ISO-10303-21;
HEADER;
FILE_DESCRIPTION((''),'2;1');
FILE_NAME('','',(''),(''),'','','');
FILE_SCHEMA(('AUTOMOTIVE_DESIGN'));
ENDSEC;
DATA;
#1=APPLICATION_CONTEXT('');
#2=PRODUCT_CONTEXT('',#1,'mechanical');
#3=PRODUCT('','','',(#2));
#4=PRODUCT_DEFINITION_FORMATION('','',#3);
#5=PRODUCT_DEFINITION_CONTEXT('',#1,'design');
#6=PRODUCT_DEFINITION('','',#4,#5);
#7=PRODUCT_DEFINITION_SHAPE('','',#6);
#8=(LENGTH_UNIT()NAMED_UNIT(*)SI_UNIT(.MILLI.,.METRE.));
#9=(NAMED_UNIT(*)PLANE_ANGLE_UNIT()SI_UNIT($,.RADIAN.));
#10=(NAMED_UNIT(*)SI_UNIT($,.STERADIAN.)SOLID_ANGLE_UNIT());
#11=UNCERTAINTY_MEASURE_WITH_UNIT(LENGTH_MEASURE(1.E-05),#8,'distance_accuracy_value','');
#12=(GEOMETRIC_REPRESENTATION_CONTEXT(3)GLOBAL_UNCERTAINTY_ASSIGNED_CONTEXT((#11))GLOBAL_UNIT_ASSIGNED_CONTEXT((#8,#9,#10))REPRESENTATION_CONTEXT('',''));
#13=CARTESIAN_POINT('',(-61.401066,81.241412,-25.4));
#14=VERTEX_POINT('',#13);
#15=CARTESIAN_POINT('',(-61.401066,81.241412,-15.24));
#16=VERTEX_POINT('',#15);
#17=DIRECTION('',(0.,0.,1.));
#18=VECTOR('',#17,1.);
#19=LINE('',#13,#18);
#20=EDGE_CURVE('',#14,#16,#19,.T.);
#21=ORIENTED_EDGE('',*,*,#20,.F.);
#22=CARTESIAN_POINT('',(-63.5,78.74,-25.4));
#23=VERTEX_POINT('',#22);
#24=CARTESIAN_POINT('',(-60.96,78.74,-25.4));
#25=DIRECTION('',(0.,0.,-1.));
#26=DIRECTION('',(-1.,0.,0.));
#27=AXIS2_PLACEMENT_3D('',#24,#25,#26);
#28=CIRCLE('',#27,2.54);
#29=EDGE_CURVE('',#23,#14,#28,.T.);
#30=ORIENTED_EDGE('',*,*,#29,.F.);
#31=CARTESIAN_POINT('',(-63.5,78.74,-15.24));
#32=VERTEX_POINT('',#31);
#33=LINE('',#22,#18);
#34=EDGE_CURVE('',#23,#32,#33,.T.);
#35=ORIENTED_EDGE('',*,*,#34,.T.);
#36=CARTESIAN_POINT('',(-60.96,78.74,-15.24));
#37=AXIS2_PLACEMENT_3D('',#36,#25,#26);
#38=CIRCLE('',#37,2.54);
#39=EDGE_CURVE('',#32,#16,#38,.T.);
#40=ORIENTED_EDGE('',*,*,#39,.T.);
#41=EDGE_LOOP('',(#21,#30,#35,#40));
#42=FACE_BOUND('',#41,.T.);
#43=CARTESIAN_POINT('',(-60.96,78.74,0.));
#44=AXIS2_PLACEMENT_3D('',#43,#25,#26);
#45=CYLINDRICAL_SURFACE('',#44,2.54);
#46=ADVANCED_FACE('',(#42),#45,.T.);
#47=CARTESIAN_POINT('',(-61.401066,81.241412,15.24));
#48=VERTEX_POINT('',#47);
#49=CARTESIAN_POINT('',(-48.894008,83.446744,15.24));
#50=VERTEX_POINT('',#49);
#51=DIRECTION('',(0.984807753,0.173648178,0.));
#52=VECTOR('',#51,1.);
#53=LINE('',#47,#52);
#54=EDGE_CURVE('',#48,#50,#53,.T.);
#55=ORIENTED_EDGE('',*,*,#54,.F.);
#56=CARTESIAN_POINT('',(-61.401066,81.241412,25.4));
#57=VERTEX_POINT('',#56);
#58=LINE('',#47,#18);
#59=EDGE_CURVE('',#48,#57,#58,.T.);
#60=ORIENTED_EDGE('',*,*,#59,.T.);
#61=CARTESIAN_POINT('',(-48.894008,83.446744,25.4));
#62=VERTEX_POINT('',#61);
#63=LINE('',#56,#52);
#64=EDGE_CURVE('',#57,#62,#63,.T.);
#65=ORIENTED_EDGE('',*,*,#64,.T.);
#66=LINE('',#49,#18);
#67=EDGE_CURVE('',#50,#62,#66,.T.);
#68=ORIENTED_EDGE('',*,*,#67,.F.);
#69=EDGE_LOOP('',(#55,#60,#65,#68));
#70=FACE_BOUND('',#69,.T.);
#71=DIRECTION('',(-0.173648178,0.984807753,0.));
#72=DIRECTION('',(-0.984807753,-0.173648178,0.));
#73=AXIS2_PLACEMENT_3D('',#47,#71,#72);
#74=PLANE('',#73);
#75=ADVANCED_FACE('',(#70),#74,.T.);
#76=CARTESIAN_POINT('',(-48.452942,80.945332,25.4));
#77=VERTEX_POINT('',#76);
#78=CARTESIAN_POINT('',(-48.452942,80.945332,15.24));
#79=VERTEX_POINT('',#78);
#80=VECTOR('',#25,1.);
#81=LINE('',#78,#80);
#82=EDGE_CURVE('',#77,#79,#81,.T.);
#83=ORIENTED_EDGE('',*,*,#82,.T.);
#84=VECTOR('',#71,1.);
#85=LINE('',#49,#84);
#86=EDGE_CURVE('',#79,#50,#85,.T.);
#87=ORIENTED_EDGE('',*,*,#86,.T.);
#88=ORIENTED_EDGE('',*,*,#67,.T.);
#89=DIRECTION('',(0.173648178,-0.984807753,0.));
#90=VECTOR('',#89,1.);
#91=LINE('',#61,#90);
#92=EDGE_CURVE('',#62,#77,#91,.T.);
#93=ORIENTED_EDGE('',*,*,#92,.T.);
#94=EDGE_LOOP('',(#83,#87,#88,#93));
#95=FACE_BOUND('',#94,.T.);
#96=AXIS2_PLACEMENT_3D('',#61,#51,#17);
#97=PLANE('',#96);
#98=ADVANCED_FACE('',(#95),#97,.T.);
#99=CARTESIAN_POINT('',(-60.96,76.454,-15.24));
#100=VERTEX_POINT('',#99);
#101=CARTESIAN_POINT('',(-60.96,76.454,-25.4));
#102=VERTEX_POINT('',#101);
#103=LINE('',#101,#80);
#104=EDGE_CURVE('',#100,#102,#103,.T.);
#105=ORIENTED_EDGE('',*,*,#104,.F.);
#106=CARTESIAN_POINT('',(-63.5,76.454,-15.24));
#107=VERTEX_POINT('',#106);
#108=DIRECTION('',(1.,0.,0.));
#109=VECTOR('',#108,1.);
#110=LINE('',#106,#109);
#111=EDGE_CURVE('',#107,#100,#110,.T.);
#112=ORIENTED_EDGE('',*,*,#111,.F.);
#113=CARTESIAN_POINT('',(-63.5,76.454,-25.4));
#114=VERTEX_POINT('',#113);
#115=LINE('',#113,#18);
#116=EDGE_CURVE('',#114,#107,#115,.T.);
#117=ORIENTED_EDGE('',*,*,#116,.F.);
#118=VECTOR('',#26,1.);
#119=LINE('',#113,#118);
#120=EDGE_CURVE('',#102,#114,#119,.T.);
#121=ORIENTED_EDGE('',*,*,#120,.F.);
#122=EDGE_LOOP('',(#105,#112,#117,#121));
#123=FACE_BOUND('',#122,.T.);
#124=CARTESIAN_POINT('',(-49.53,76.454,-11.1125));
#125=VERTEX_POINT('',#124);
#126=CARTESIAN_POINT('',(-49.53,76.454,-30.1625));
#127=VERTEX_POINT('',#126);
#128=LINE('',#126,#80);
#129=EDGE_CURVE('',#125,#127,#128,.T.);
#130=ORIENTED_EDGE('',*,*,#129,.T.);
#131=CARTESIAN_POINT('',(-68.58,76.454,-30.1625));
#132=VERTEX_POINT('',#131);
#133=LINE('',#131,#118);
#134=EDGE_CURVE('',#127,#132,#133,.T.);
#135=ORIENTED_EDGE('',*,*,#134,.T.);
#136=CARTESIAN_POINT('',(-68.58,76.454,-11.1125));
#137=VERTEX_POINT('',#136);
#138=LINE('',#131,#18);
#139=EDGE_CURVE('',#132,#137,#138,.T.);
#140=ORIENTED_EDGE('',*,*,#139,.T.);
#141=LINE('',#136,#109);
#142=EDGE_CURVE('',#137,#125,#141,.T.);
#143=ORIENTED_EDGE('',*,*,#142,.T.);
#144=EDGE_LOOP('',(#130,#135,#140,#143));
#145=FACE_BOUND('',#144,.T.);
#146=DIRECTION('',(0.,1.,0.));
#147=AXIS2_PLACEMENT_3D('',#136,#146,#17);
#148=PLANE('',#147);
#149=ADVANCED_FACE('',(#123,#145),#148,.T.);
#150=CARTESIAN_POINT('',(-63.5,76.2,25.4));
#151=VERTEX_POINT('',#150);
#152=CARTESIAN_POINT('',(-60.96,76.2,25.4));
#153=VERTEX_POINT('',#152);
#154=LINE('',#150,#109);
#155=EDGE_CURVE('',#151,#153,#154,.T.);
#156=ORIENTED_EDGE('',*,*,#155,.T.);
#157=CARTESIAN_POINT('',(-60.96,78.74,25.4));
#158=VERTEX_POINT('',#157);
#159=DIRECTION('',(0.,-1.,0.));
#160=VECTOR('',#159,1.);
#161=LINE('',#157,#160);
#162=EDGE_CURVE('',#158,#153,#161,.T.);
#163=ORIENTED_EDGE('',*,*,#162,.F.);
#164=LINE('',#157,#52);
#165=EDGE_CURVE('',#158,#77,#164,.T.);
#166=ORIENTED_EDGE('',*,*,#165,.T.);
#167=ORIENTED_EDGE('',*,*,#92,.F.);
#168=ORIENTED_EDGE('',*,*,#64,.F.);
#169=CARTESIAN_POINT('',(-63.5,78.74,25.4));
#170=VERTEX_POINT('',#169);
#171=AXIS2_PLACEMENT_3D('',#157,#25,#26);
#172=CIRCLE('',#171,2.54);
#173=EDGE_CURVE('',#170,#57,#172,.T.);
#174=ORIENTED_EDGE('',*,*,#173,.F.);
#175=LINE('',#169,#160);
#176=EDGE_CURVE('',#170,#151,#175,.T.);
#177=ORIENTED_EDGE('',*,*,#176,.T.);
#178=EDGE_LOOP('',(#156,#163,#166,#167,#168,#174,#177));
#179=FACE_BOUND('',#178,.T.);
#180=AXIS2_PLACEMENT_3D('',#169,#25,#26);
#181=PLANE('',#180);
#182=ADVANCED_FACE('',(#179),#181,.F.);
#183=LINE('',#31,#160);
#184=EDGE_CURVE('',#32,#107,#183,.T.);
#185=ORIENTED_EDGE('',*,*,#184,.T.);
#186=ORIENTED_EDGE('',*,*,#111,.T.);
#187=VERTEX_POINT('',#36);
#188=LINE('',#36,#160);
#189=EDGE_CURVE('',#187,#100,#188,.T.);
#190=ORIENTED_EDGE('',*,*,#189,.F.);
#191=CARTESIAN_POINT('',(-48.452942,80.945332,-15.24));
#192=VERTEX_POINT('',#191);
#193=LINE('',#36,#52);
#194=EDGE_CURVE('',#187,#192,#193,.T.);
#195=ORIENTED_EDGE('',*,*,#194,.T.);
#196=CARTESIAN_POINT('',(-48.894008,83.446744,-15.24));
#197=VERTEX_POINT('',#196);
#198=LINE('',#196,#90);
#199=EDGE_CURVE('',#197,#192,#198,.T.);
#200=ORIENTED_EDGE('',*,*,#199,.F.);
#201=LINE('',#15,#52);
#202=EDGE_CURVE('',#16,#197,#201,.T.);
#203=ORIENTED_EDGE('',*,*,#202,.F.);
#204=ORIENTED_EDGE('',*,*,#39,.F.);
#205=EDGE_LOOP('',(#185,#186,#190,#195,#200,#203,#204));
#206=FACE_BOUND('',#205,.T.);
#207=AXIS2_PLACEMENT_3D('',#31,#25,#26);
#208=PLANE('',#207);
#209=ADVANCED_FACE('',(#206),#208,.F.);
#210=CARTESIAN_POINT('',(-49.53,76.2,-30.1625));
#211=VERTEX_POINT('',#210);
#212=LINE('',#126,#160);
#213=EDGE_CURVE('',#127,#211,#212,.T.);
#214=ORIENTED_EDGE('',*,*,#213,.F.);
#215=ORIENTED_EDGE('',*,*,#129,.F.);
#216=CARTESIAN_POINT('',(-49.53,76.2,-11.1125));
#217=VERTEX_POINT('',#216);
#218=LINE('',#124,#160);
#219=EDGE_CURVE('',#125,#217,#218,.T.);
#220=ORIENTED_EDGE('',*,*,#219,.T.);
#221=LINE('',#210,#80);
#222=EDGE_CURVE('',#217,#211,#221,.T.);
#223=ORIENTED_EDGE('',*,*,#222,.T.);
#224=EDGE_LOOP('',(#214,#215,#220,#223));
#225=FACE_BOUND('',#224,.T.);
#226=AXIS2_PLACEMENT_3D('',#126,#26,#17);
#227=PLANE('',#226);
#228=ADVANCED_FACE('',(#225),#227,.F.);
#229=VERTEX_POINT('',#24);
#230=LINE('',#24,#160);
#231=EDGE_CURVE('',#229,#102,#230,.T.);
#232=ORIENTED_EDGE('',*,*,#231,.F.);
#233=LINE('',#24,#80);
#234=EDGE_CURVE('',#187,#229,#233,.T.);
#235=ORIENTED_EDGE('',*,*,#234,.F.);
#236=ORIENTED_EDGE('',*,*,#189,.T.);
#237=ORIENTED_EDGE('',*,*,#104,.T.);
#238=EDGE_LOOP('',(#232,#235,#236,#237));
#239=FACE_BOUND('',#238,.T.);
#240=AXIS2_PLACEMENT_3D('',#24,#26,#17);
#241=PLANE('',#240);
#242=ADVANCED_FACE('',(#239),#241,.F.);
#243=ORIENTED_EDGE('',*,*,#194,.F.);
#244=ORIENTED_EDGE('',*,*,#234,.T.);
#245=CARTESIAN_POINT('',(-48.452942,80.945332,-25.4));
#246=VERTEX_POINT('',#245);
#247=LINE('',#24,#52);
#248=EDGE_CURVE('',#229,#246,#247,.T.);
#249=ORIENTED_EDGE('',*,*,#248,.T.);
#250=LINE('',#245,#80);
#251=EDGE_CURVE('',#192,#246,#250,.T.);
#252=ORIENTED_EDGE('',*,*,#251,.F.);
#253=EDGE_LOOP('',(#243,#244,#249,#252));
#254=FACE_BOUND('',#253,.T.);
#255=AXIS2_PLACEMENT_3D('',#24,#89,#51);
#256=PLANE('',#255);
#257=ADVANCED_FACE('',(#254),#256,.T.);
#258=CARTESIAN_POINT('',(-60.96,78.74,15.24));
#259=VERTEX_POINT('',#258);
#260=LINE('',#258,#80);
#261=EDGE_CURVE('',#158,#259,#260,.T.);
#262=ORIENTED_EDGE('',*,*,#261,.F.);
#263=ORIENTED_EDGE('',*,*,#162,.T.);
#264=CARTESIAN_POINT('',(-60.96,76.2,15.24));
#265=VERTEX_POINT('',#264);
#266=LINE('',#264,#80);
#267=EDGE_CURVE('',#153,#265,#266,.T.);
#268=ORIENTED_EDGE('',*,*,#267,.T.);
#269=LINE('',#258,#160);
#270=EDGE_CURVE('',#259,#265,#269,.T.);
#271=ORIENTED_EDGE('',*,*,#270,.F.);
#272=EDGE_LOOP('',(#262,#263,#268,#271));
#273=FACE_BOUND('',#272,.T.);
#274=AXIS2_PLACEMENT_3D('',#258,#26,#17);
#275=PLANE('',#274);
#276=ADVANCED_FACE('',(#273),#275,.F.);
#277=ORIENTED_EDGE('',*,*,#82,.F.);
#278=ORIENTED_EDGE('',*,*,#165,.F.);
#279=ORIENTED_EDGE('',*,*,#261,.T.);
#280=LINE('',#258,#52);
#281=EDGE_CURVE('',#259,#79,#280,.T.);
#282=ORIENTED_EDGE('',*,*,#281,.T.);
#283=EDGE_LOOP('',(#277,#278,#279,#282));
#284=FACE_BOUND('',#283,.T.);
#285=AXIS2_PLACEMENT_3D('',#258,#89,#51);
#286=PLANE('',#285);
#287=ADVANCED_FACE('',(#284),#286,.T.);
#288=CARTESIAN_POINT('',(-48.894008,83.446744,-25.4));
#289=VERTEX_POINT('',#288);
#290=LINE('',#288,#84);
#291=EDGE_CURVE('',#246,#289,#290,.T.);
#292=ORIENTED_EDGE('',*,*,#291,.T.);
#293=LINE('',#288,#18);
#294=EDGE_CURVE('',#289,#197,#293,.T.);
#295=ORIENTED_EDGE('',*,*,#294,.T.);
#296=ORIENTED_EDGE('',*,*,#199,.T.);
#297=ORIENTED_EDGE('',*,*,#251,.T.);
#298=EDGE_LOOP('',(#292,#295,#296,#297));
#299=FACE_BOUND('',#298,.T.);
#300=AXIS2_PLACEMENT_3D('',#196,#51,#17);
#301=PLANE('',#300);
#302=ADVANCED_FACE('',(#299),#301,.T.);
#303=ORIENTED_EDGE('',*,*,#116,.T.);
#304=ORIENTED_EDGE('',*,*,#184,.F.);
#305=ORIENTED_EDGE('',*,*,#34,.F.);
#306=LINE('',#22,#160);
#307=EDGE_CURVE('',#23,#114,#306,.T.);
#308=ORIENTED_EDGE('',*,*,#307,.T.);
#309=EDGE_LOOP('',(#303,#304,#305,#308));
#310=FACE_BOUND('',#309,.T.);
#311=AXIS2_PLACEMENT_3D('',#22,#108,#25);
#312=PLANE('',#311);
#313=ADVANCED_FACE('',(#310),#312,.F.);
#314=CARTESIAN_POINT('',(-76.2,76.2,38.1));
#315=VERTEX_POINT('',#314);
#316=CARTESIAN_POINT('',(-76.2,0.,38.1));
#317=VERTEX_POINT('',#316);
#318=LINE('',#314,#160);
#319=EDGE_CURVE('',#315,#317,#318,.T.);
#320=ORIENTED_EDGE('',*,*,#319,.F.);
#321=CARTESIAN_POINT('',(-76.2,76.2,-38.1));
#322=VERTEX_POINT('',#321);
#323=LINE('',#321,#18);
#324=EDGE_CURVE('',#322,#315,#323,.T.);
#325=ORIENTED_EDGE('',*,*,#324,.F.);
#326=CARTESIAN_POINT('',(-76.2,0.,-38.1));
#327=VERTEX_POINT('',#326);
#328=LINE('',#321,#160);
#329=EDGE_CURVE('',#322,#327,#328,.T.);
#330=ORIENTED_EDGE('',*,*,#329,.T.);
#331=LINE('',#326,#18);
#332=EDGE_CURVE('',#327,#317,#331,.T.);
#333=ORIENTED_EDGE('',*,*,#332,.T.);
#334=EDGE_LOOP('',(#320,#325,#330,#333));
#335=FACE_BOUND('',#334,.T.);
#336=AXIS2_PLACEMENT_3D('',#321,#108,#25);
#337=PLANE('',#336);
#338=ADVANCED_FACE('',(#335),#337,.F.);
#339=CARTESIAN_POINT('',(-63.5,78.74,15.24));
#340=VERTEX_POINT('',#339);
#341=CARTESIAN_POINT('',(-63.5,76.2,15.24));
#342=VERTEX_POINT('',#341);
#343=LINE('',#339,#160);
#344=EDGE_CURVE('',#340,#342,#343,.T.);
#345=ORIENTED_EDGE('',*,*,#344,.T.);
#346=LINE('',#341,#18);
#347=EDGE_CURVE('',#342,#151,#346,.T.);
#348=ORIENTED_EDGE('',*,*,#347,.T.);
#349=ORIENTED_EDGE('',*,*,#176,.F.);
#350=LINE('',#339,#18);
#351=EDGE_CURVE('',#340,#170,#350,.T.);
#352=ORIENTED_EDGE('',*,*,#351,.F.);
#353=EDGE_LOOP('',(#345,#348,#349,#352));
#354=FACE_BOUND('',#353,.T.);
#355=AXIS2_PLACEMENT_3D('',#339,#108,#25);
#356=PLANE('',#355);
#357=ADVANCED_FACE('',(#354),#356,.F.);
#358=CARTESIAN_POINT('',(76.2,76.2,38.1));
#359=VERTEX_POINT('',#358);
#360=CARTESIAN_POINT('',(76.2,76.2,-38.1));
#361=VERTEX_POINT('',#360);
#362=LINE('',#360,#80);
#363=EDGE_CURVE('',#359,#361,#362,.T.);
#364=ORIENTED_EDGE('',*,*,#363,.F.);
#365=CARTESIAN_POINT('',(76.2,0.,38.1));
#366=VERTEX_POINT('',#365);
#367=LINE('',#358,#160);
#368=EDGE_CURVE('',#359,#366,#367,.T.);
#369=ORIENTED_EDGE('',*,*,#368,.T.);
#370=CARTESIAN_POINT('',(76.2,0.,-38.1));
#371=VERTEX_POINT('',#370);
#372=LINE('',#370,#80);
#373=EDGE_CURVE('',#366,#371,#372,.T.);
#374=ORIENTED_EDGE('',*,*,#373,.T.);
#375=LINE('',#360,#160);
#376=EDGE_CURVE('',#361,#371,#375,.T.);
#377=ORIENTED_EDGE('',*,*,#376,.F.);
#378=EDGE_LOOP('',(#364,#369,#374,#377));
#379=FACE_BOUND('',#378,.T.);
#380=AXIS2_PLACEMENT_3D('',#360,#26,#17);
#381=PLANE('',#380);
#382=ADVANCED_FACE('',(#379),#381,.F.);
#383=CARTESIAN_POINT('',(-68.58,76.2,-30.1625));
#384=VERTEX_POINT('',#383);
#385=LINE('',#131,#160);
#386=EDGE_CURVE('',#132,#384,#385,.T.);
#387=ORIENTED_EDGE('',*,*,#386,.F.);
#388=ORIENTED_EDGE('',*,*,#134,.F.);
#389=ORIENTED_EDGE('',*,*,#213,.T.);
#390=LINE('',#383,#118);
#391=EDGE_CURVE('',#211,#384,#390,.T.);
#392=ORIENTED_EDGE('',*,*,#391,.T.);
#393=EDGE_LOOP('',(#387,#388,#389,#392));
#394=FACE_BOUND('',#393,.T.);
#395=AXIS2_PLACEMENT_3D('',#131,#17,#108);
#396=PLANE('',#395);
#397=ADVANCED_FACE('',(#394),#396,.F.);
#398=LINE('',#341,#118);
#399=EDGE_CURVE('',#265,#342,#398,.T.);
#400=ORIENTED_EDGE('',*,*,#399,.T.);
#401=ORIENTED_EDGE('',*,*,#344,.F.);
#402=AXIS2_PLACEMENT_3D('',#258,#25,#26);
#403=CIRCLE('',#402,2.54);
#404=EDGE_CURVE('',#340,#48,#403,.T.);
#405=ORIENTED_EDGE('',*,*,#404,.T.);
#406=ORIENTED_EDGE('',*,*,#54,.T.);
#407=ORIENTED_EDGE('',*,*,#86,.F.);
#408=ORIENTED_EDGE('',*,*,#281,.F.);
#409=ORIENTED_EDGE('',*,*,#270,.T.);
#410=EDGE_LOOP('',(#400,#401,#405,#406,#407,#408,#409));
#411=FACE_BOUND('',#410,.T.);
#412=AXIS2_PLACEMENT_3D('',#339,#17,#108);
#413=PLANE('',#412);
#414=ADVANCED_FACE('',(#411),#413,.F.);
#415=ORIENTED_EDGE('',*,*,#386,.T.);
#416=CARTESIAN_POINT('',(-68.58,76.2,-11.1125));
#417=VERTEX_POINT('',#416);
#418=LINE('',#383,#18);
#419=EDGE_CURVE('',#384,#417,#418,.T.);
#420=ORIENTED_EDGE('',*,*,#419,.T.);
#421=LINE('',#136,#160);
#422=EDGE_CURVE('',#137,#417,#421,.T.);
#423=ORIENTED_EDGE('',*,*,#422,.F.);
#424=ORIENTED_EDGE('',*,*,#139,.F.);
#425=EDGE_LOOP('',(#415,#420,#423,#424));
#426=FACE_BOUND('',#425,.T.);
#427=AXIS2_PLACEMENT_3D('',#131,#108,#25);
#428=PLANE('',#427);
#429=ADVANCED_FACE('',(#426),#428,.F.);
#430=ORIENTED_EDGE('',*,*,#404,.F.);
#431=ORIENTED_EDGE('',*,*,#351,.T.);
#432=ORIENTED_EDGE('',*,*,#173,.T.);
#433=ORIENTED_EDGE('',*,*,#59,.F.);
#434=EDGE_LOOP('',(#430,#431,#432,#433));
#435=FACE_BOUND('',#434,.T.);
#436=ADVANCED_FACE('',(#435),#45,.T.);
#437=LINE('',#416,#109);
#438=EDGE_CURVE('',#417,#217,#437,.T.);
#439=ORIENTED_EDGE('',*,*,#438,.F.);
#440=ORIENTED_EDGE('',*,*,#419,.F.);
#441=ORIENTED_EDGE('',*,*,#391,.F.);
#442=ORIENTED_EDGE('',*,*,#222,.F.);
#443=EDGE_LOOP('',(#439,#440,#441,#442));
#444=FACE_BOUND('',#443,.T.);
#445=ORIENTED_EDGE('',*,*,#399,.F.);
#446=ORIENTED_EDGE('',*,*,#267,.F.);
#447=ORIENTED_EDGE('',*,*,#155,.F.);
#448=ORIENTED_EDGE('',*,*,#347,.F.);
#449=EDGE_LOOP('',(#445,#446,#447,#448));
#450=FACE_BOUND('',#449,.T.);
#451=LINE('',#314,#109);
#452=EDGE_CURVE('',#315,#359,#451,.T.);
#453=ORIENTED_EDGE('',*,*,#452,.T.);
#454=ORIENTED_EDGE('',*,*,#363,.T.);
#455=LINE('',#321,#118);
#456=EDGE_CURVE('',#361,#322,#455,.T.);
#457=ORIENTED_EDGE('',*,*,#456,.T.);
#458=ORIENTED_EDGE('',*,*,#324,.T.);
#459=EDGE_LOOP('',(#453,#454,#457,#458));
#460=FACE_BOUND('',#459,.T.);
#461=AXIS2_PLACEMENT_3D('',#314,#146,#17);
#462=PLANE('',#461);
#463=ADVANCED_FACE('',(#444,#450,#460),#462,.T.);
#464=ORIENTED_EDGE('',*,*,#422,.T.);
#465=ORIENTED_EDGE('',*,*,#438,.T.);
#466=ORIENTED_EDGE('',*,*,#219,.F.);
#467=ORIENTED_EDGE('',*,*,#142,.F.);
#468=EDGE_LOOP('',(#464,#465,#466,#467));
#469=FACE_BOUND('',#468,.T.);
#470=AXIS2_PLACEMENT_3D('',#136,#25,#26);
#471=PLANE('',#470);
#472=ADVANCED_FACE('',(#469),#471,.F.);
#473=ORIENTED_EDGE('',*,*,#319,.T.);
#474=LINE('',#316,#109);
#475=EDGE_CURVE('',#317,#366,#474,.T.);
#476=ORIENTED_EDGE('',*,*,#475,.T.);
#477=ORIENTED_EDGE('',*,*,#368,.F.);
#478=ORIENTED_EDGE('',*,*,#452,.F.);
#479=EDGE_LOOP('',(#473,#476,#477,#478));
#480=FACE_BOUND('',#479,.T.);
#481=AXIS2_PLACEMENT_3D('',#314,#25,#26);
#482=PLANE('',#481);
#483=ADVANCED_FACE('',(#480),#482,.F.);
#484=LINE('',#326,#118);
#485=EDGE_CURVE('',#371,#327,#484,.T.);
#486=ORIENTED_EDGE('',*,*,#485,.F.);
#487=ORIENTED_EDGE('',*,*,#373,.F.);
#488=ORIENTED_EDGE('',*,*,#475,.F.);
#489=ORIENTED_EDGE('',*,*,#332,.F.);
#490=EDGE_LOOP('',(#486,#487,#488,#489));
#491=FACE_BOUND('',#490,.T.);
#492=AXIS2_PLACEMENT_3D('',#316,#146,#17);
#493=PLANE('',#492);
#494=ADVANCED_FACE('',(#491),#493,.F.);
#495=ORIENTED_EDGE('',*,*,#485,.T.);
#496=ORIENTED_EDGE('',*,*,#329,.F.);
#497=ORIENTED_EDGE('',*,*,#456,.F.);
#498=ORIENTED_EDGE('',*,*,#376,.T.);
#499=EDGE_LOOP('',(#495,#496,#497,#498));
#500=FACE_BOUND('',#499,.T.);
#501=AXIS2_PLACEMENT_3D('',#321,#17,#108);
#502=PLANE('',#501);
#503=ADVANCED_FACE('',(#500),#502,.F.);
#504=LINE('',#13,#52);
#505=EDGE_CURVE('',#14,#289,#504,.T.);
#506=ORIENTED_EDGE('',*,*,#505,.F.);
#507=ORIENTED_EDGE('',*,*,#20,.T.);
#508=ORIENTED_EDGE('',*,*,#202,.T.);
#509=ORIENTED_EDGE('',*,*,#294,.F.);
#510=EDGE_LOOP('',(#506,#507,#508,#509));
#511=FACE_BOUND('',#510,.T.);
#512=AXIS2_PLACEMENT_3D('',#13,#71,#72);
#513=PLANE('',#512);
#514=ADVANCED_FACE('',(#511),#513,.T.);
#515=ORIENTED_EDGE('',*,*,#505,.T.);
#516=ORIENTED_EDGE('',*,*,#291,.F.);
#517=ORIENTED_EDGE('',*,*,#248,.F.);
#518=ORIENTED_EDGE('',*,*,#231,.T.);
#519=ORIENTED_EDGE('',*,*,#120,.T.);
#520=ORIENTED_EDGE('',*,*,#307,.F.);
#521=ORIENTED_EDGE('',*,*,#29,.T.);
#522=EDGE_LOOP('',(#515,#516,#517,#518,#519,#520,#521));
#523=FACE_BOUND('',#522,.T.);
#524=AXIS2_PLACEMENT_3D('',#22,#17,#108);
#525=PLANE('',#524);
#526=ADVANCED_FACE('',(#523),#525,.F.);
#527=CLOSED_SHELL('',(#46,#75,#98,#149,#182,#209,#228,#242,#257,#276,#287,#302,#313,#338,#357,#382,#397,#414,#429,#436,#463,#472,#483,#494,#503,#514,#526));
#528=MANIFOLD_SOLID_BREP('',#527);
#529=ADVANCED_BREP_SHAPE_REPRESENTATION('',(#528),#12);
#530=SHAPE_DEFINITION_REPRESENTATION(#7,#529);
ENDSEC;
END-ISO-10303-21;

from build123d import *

# Parameters (mm, degrees)
SKETCH1_W           = 152.4
SKETCH1_H           = 76.2
BOSS_EXTRUDE1_DEPTH = 76.2
SKETCH2_W           = 2.54
SKETCH2_H           = 10.16
SKETCH5_W           = 19.05
SKETCH5_H           = 19.05
BOSS_EXTRUDE2_DEPTH = 0.254


with BuildPart() as part:
    # Sketch1 → Boss-Extrude1 (new body)
    with BuildSketch(Plane(origin=(0, 0, 0), x_dir=(1, 0, 0), z_dir=(0, 1, 0))):
        Rectangle(SKETCH1_W, SKETCH1_H)
    extrude(amount=BOSS_EXTRUDE1_DEPTH)

    # Sweep1: sweep along a path in Sketch4
    with BuildLine(Plane.XY) as sweep1_path:
        Line((-62.23, 76.2), (-62.23, 78.74))
        ThreePointArc((-62.23, 78.74), (-61.932876443, 79.556340264), (-61.180533186, 79.990705846))
        Line((-61.180533186, 79.990705846), (-48.673474722, 82.196037703))
    # Sketch2 → Sweep1 (sweep)
    with BuildSketch(Plane(origin=(0, 76.2, 0), x_dir=(1, 0, 0), z_dir=(0, 1, 0))):
        with Locations((-62.23, 20.32)):
            Rectangle(SKETCH2_W, SKETCH2_H)
        with Locations((-62.23, -20.32)):
            Rectangle(SKETCH2_W, SKETCH2_H)
    sweep(path=sweep1_path.line)

    # Sketch5 → Boss-Extrude2 (add)
    with BuildSketch(Plane(origin=(0, 76.2, 0), x_dir=(1, 0, 0), z_dir=(0, 1, 0))):
        with Locations((-59.055, 20.6375)):
            Rectangle(SKETCH5_W, SKETCH5_H)
    extrude(amount=BOSS_EXTRUDE2_DEPTH)


solid = part.part
